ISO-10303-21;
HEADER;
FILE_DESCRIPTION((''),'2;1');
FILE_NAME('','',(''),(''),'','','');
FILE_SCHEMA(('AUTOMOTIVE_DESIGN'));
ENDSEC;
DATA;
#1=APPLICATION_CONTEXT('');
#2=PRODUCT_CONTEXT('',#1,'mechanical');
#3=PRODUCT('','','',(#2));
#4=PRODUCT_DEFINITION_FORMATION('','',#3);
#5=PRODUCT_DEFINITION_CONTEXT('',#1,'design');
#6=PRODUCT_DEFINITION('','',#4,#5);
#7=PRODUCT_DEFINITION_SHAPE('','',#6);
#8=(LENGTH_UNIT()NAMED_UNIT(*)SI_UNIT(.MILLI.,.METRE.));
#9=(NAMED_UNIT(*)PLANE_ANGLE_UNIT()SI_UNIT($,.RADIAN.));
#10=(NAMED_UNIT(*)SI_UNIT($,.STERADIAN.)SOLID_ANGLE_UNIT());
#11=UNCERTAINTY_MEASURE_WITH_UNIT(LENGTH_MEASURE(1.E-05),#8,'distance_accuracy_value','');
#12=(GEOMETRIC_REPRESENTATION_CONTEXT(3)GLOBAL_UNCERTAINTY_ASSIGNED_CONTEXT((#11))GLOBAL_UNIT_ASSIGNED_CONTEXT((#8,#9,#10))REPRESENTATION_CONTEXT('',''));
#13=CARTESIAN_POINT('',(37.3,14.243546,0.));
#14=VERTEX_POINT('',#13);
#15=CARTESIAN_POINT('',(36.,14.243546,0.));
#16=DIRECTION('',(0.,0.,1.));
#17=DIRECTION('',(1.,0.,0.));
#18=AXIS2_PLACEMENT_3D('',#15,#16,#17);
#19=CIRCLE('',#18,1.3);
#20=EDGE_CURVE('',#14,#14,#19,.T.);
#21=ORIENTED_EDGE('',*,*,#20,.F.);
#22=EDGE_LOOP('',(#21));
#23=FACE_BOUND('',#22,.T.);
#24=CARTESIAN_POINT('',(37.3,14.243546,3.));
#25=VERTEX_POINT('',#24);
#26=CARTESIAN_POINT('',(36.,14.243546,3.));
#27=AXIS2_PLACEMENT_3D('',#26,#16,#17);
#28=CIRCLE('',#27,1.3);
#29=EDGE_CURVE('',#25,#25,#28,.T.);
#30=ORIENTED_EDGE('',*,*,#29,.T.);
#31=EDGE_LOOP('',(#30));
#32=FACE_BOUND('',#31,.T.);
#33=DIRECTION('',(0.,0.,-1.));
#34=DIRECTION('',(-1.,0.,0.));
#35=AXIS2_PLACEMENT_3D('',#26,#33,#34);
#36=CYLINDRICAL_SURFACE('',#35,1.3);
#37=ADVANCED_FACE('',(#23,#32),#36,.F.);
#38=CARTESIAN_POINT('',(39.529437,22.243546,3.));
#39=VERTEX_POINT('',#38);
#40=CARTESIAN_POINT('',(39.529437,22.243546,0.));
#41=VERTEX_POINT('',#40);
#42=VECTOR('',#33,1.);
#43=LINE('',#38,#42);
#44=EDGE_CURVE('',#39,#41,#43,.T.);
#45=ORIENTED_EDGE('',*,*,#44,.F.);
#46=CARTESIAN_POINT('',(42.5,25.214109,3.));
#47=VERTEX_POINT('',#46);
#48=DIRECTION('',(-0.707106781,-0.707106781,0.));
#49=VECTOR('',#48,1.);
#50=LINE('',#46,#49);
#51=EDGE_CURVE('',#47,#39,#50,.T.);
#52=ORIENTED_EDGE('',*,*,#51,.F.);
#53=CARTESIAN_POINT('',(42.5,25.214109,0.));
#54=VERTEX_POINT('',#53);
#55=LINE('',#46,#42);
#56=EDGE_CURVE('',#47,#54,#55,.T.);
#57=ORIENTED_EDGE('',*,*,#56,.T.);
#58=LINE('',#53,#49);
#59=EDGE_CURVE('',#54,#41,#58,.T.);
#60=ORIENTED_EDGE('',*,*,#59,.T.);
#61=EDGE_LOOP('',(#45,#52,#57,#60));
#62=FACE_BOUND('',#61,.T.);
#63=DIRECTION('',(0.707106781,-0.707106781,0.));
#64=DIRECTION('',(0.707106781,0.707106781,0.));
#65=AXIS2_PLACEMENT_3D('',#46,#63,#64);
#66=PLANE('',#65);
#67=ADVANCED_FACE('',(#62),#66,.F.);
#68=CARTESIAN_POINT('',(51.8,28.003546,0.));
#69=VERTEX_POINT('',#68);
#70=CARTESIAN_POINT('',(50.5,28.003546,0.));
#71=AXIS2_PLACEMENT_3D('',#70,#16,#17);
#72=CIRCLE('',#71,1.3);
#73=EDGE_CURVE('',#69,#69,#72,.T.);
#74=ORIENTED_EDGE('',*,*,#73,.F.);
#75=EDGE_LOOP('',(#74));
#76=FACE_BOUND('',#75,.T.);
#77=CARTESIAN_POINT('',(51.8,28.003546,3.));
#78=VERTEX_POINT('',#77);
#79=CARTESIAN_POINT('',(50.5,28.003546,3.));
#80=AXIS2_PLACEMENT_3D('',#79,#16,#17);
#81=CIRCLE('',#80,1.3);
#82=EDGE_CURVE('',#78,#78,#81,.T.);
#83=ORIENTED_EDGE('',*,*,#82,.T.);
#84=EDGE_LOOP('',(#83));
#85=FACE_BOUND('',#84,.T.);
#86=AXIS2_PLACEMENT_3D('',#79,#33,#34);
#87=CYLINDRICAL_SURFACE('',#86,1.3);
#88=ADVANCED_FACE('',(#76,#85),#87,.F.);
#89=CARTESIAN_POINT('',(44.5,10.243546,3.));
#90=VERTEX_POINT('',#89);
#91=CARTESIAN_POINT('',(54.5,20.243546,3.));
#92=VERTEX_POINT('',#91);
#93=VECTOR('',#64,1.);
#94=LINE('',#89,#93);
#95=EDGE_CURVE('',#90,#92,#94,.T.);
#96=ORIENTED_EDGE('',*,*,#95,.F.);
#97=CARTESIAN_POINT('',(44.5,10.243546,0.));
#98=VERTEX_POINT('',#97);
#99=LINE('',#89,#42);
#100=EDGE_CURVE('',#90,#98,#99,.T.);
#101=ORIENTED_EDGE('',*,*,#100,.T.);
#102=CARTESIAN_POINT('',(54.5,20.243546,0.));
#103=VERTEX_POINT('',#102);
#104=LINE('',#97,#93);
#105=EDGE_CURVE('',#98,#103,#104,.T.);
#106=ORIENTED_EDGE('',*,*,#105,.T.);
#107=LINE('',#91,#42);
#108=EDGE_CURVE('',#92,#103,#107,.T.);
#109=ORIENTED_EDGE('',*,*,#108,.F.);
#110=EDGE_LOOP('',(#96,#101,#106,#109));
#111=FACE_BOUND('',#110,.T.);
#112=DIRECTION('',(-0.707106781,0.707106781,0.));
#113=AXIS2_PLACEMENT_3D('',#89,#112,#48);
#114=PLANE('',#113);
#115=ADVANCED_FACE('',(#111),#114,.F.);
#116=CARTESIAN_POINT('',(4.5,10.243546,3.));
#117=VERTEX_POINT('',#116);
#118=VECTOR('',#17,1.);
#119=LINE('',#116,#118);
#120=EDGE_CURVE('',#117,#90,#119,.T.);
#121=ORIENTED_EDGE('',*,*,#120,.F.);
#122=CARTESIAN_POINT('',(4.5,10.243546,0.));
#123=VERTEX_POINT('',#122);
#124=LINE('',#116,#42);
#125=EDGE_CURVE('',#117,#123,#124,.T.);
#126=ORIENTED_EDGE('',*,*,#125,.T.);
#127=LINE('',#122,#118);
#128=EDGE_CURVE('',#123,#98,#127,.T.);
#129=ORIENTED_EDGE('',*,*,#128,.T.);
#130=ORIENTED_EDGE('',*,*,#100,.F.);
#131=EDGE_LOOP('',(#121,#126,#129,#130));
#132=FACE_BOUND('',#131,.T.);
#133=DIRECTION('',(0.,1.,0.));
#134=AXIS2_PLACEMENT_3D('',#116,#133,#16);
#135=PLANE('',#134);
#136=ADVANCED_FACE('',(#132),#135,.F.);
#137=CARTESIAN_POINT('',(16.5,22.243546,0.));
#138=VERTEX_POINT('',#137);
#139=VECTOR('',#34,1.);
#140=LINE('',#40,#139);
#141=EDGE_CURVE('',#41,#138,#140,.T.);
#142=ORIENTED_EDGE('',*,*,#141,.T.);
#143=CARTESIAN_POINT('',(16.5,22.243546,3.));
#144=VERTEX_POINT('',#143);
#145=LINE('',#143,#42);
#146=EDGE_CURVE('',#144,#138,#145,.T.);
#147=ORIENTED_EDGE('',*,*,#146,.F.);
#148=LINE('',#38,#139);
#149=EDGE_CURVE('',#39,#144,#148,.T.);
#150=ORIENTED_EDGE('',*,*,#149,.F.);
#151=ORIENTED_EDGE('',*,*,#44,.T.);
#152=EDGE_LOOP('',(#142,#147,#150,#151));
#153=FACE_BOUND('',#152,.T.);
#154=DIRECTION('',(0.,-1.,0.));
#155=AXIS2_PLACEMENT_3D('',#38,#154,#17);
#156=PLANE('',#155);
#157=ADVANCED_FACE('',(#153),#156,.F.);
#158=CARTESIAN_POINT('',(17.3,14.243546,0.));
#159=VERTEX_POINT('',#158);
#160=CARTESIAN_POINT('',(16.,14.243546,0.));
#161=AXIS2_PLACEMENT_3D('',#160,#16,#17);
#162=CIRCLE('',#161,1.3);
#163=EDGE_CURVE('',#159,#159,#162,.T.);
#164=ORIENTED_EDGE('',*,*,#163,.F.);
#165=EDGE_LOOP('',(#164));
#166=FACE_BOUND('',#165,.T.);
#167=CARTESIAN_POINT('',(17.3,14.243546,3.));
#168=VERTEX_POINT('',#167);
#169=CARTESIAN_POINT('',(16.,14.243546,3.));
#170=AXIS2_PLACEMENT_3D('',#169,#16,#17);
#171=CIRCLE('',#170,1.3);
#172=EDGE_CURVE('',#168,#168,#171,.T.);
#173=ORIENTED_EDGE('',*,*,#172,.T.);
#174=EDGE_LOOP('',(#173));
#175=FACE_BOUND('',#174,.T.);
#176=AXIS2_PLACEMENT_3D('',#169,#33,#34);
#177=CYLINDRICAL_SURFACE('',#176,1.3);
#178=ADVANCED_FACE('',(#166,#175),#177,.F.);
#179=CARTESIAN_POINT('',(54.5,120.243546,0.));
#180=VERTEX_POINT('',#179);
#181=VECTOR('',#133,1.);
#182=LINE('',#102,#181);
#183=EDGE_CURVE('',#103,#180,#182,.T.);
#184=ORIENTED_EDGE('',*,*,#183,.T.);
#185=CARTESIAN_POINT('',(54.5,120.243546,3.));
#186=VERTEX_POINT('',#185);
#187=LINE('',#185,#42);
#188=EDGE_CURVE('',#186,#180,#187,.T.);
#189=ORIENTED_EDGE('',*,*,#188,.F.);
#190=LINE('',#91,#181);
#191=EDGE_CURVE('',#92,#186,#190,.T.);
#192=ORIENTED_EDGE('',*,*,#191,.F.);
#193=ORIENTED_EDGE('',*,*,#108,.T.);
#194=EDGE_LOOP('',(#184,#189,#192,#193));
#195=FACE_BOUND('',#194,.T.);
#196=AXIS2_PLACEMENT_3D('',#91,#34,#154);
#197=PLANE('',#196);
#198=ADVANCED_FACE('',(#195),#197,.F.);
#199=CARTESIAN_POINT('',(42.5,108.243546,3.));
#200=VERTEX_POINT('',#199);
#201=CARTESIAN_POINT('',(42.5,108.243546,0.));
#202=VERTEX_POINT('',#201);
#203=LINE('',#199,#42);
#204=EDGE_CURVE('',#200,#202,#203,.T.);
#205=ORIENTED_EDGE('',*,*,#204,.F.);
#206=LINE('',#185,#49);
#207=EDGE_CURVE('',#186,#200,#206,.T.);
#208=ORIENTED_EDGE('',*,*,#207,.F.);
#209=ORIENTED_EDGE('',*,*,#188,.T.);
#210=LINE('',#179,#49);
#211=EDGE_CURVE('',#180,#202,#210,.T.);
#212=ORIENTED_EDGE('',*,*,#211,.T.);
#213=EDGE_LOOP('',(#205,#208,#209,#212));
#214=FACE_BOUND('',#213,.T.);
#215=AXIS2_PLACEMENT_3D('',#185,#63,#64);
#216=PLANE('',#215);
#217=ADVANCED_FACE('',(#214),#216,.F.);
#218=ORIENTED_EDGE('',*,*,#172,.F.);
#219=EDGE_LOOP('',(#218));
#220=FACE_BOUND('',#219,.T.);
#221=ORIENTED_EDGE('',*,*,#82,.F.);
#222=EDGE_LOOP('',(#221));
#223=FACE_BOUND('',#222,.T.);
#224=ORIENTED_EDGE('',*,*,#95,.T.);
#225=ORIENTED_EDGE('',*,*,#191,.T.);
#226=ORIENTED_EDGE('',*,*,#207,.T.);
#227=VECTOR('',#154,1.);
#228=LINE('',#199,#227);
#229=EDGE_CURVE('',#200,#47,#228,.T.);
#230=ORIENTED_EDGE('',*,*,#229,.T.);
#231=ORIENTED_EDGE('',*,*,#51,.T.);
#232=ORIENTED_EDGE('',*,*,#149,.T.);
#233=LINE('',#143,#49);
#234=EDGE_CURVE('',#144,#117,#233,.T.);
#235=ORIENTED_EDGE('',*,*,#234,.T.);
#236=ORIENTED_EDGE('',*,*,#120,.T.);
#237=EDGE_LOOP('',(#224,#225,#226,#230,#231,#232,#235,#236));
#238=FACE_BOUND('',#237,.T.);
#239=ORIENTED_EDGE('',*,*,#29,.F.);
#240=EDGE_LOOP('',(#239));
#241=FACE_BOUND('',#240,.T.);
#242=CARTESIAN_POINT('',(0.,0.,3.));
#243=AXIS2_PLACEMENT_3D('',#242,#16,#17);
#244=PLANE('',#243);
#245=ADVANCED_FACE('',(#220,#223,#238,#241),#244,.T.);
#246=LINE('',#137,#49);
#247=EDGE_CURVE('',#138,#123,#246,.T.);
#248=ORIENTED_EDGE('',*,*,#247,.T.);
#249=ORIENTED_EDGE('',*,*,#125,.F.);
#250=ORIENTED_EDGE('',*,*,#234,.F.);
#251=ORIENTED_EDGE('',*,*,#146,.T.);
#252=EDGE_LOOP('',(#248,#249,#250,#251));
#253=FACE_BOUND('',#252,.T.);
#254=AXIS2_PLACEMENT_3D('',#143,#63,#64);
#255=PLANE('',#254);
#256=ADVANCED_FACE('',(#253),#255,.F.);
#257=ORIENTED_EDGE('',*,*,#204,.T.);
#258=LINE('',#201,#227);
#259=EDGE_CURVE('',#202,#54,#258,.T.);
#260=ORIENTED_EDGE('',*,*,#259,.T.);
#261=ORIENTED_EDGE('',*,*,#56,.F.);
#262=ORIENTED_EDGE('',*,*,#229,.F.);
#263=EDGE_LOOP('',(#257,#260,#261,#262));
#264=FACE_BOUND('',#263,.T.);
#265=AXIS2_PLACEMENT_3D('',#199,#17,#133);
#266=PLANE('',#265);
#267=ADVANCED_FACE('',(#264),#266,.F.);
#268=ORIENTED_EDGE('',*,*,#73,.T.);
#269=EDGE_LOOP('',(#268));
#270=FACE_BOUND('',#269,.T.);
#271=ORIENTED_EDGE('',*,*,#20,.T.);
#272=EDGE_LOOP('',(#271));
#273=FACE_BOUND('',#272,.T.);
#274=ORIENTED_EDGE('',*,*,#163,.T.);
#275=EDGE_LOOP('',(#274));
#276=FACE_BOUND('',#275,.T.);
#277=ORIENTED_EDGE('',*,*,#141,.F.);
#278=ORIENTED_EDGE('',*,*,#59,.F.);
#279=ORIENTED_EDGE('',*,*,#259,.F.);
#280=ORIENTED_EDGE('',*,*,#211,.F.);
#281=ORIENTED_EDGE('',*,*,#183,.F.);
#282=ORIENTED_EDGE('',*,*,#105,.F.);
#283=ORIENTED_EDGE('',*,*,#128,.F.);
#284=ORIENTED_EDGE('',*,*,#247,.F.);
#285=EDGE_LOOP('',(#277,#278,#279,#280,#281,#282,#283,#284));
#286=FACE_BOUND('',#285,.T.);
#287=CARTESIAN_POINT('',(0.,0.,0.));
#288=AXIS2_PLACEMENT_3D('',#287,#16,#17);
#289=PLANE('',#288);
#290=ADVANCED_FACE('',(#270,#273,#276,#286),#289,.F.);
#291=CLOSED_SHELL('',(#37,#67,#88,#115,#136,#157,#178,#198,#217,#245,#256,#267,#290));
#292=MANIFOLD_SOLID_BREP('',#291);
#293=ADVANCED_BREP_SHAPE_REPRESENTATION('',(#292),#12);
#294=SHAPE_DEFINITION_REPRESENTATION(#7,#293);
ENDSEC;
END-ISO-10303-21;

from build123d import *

# Parameters (mm, degrees)
SKETCH1_R      = 1.3
EXTRUDE1_DEPTH = 3


with BuildPart() as part:
    # Sketch1 → Extrude1 (new body)
    with BuildSketch(Plane.XY):
        Polygon((4.5, 10.243545781), (44.5, 10.243545781), (54.5, 20.243545781), (54.5, 120.243545781), (42.5, 108.243545781), (42.5, 25.214108529), (39.529437252, 22.243545781), (16.5, 22.243545781), align=None)
        with Locations((16, 14.243545781)):
            Circle(SKETCH1_R, mode=Mode.SUBTRACT)
        with Locations((36, 14.243545781)):
            Circle(SKETCH1_R, mode=Mode.SUBTRACT)
        with Locations((50.5, 28.003545781)):
            Circle(SKETCH1_R, mode=Mode.SUBTRACT)
    extrude(amount=EXTRUDE1_DEPTH)


solid = part.part
